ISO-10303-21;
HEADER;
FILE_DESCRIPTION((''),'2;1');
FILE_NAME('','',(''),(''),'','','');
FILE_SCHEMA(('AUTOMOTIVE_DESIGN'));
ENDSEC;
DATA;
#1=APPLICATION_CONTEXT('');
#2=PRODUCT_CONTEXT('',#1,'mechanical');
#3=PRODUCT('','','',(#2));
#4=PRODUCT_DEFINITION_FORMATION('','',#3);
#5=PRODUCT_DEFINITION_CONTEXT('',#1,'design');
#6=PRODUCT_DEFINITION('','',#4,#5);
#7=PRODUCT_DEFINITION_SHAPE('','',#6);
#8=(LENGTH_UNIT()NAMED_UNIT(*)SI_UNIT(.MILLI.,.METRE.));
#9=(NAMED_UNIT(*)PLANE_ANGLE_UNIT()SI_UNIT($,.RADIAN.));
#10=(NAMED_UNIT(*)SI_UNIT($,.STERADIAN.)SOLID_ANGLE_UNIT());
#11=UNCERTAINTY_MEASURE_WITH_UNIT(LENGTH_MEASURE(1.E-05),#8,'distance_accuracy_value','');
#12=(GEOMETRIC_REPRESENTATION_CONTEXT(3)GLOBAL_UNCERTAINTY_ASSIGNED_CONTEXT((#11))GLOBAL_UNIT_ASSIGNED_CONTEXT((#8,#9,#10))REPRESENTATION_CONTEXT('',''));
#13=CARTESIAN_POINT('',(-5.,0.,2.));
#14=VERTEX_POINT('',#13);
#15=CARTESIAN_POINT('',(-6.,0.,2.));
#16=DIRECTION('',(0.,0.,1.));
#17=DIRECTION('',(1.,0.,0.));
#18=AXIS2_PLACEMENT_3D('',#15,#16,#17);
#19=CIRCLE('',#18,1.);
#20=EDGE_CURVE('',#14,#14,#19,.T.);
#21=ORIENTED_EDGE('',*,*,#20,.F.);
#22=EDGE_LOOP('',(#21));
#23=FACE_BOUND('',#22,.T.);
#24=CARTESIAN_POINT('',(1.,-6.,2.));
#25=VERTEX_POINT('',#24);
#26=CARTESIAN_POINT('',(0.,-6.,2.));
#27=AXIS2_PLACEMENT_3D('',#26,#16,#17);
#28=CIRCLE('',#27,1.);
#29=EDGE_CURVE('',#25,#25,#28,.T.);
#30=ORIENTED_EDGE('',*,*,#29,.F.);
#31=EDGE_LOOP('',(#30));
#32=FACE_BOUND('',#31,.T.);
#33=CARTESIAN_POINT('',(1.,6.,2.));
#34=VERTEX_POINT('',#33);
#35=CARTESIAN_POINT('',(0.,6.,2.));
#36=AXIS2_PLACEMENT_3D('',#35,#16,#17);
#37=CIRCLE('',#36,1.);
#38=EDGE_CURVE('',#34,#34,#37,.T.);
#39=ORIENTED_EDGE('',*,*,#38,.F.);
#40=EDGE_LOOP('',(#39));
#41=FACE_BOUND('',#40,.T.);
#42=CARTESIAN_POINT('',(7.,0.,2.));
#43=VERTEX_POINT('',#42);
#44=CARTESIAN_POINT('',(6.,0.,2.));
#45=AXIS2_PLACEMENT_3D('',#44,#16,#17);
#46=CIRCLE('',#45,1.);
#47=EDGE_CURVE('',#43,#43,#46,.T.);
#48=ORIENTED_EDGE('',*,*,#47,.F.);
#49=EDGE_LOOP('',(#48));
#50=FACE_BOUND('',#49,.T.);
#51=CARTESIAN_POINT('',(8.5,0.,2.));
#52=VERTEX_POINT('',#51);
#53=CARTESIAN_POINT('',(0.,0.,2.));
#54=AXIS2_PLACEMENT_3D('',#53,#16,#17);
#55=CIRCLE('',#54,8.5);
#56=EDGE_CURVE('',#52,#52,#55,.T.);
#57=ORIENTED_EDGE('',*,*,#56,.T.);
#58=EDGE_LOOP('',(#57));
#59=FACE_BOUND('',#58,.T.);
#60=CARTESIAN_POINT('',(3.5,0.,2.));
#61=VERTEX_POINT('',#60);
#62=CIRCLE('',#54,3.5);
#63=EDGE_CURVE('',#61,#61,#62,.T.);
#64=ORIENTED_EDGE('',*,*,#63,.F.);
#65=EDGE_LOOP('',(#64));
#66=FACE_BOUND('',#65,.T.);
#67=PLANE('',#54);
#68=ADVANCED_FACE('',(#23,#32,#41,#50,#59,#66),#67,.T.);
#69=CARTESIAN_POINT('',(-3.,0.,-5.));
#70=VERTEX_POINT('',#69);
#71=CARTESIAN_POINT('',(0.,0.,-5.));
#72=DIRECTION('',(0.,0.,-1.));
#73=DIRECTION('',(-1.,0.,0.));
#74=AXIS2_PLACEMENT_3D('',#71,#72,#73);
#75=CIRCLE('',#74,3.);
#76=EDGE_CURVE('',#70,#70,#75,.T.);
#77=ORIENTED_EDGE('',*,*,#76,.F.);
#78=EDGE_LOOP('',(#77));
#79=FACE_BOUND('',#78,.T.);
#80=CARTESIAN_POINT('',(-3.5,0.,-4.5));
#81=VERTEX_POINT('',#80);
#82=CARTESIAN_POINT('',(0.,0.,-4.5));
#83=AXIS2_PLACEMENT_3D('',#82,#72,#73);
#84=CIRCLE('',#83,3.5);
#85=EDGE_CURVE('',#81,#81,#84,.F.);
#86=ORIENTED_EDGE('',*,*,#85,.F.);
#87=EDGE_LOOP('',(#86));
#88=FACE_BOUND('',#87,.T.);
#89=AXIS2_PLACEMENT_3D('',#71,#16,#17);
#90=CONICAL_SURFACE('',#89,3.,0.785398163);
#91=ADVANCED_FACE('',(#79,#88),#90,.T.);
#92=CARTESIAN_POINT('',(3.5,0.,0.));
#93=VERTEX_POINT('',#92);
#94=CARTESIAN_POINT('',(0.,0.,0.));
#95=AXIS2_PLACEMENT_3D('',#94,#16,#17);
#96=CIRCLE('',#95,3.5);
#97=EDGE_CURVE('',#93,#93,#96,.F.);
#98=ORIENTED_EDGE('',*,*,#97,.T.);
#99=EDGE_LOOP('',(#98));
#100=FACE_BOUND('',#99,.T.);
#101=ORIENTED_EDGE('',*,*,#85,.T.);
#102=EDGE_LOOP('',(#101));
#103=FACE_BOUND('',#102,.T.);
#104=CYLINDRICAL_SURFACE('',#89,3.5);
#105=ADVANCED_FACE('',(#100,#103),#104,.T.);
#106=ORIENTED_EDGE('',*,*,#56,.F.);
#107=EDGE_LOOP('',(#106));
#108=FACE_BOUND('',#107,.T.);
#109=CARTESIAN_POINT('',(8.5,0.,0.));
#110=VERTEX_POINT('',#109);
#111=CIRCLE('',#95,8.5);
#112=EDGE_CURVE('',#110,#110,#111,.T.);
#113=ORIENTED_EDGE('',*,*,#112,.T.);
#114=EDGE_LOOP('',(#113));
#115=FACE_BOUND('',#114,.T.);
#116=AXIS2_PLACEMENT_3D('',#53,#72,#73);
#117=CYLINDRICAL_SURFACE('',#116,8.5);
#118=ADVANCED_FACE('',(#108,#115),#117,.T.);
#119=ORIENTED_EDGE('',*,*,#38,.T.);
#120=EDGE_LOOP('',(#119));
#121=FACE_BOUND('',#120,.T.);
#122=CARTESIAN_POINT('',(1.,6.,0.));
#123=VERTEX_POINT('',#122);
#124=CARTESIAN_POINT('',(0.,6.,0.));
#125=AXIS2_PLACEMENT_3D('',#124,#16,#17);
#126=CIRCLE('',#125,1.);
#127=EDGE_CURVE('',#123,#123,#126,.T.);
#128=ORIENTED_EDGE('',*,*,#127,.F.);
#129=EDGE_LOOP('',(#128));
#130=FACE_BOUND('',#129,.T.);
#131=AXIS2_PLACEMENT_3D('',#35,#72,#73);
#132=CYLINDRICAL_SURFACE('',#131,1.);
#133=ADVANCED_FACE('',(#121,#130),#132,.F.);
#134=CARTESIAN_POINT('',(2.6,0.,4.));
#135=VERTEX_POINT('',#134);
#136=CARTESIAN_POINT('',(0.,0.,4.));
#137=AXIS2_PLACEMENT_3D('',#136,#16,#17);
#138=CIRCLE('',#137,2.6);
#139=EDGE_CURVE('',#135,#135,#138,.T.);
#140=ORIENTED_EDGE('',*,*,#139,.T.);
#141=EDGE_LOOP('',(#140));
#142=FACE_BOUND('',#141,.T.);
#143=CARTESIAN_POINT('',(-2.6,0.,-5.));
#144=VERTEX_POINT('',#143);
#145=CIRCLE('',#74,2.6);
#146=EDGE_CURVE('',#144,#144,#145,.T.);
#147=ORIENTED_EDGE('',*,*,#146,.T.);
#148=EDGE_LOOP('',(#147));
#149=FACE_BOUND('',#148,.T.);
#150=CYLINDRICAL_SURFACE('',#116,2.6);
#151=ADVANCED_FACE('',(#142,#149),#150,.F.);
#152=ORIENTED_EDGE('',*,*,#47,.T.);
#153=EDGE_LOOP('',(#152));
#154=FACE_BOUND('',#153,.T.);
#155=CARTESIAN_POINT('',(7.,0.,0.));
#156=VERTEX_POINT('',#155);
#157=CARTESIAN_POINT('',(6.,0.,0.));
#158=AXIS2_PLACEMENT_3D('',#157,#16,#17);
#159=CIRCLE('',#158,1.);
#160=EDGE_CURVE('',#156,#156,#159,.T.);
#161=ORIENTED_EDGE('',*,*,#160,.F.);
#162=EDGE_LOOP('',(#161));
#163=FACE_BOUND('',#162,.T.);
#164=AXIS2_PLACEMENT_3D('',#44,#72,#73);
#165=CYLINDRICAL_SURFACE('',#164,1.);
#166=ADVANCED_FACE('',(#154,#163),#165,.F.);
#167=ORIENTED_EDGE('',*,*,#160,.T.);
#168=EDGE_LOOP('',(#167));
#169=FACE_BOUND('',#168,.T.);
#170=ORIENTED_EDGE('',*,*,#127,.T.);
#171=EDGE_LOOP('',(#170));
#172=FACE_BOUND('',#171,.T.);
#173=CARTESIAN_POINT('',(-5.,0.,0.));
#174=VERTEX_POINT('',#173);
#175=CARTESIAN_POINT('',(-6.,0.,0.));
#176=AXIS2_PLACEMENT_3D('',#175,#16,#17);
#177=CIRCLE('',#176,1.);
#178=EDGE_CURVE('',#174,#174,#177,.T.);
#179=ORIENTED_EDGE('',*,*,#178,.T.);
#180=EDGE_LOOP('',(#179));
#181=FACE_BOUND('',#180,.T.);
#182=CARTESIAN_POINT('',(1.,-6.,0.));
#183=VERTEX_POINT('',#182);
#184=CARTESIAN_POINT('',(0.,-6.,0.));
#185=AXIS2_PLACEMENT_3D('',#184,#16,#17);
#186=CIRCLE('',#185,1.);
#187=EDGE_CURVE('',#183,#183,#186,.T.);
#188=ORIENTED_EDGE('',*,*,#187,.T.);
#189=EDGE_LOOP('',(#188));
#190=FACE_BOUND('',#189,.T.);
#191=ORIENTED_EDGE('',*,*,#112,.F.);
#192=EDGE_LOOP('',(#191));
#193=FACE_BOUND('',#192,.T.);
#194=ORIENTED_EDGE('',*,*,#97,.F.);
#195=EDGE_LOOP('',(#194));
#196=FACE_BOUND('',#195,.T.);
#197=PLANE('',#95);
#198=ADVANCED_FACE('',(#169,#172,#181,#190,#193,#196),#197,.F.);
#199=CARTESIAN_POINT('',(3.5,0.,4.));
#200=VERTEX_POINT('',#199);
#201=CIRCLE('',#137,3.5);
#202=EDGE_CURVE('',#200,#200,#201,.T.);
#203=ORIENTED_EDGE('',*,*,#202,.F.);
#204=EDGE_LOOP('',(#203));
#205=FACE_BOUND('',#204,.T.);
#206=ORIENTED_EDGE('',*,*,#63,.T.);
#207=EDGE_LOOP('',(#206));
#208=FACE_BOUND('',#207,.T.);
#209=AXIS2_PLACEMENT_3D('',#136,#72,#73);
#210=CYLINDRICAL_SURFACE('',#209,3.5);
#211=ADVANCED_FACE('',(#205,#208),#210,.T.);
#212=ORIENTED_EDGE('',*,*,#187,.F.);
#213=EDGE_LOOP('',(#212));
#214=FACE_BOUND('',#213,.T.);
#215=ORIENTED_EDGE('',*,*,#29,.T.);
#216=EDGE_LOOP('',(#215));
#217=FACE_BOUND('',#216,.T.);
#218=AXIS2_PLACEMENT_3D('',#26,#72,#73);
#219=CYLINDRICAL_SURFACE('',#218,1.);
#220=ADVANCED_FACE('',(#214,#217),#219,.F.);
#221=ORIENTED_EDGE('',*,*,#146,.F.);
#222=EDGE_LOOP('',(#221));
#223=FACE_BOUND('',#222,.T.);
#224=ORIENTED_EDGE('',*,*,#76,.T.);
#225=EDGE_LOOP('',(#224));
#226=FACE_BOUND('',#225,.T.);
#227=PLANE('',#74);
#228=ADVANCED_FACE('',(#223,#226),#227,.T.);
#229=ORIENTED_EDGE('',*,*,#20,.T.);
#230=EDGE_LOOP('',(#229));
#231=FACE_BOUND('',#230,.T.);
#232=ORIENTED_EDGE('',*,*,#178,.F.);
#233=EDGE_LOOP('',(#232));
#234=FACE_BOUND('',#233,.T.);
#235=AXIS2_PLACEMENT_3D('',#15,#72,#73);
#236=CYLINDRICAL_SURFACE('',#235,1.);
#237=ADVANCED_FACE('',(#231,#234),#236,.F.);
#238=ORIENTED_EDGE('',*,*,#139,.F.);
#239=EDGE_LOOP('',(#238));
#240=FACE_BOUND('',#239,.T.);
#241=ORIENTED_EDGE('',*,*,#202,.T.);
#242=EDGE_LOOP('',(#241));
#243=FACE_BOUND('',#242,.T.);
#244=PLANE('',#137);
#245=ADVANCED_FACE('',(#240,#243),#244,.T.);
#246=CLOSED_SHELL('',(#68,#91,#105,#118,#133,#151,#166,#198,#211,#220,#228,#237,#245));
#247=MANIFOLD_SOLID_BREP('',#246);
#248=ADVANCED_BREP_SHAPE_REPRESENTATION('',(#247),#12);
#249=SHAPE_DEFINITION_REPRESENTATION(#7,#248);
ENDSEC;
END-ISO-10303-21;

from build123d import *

# Parameters (mm, degrees)
SKETCH_2_R      = 8.5
SKETCH_2_R_2    = 2.6
SKETCH_2_R_3    = 1
EXTRUDE_1_DEPTH = 2
SKETCH_3_R      = 3.5
SKETCH_3_R_2    = 2.6
EXTRUDE_2_DEPTH = 2
SKETCH_4_R      = 3.5
SKETCH_4_R_2    = 2.6
EXTRUDE_3_DEPTH = 5
CHAMFER_1_SIZE  = 0.5


with BuildPart() as part:
    # Эскиз2 → Бобышка-Вытянуть1 (new body)
    with BuildSketch(Plane.XY):
        Circle(SKETCH_2_R)
        Circle(SKETCH_2_R_2, mode=Mode.SUBTRACT)
        with Locations((-6, 0)):
            Circle(SKETCH_2_R_3, mode=Mode.SUBTRACT)
        with Locations((0, 6)):
            Circle(SKETCH_2_R_3, mode=Mode.SUBTRACT)
        with Locations((6, 0)):
            Circle(SKETCH_2_R_3, mode=Mode.SUBTRACT)
        with Locations((0, -6)):
            Circle(SKETCH_2_R_3, mode=Mode.SUBTRACT)
    extrude(amount=EXTRUDE_1_DEPTH)

    # Эскиз3 → Бобышка-Вытянуть2 (add)
    with BuildSketch(Plane.XY.offset(2)):
        Circle(SKETCH_3_R)
        Circle(SKETCH_3_R_2, mode=Mode.SUBTRACT)
    extrude(amount=EXTRUDE_2_DEPTH)

    # Эскиз4 → Бобышка-Вытянуть3 (add)
    with BuildSketch(Plane(origin=(0, 0, 0), x_dir=(-1, 0, 0), z_dir=(0, 0, -1))):
        Circle(SKETCH_4_R)
        Circle(SKETCH_4_R_2, mode=Mode.SUBTRACT)
    extrude(amount=EXTRUDE_3_DEPTH)

    # Фаска1
    chamfer_1_edges = [part.edges().sort_by_distance(p)[0] for p in [
        (3.5, 0, -5),
    ]]
    chamfer(chamfer_1_edges, length=CHAMFER_1_SIZE)


solid = part.part
